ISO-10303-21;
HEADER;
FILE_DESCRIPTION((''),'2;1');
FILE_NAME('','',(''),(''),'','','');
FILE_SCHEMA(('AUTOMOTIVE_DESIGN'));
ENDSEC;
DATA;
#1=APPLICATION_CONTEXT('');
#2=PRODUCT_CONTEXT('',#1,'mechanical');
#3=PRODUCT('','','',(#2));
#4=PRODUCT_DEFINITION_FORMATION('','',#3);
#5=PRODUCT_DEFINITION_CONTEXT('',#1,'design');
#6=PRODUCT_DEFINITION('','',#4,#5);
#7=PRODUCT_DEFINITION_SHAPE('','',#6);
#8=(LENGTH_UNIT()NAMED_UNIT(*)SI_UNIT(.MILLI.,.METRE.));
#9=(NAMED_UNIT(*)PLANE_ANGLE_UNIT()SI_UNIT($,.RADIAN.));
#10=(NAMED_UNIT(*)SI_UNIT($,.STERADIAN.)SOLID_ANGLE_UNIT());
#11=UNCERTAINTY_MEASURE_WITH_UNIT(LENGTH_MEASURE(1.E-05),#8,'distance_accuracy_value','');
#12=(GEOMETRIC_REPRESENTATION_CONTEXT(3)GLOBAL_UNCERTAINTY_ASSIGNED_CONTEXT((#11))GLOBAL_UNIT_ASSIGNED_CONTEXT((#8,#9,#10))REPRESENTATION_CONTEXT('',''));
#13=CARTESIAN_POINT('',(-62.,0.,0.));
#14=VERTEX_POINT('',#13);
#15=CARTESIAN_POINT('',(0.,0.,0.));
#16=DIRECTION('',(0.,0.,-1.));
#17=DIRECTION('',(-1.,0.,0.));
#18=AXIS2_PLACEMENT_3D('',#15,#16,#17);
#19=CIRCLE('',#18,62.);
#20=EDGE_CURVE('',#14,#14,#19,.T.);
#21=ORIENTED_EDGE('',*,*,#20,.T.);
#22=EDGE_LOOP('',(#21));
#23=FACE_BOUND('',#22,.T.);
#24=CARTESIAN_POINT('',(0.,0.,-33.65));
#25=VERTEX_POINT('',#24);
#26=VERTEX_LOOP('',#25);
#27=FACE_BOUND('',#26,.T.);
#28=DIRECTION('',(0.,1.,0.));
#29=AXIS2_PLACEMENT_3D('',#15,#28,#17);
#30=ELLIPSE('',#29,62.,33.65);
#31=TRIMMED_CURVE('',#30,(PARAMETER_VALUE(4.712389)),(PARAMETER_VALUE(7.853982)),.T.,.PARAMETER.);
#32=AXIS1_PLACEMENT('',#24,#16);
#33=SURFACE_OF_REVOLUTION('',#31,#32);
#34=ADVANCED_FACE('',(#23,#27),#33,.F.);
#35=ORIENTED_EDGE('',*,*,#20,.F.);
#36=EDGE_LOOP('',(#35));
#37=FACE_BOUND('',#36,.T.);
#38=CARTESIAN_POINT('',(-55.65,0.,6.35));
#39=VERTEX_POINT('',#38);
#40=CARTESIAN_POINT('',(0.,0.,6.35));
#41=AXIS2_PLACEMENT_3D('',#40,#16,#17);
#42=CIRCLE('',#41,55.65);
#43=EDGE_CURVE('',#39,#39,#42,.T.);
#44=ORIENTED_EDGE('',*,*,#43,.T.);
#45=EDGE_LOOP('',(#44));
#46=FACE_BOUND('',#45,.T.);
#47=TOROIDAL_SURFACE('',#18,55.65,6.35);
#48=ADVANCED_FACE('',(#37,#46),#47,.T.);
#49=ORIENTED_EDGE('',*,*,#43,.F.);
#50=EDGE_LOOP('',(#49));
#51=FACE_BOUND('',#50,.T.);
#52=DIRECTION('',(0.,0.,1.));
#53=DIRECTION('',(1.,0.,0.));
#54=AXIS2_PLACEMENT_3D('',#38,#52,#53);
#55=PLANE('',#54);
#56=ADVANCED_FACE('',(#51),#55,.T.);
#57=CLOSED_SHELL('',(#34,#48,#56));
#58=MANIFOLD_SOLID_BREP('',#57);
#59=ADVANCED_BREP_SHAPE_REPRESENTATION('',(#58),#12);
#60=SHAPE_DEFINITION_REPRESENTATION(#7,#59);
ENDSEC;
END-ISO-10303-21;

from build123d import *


with BuildPart() as part:
    # Sketch2 → Revolve1 (revolve)
    with BuildSketch(Plane(origin=(0, 0, 0), x_dir=(1, 0, 0), z_dir=(0, 1, 0))):
        with BuildLine():
            Line((-55.65, -6.35), (0, -6.35))
            Line((0, -6.35), (0, 33.65))
            add(Edge.make_bspline(
                [(0, 33.65), (-62, 33.65), (-62, 0)],
                knots=[4.71238898, 4.71238898, 4.71238898, 6.283185307, 6.283185307, 6.283185307], degree=2, weights=[1, 0.707106781, 1]))
            ThreePointArc((-62, 0), (-60.140128061, -4.490128061), (-55.65, -6.35))
        make_face()
    revolve(axis=Axis((0, 0, -33.65), (0, 0, 1)))


solid = part.part
